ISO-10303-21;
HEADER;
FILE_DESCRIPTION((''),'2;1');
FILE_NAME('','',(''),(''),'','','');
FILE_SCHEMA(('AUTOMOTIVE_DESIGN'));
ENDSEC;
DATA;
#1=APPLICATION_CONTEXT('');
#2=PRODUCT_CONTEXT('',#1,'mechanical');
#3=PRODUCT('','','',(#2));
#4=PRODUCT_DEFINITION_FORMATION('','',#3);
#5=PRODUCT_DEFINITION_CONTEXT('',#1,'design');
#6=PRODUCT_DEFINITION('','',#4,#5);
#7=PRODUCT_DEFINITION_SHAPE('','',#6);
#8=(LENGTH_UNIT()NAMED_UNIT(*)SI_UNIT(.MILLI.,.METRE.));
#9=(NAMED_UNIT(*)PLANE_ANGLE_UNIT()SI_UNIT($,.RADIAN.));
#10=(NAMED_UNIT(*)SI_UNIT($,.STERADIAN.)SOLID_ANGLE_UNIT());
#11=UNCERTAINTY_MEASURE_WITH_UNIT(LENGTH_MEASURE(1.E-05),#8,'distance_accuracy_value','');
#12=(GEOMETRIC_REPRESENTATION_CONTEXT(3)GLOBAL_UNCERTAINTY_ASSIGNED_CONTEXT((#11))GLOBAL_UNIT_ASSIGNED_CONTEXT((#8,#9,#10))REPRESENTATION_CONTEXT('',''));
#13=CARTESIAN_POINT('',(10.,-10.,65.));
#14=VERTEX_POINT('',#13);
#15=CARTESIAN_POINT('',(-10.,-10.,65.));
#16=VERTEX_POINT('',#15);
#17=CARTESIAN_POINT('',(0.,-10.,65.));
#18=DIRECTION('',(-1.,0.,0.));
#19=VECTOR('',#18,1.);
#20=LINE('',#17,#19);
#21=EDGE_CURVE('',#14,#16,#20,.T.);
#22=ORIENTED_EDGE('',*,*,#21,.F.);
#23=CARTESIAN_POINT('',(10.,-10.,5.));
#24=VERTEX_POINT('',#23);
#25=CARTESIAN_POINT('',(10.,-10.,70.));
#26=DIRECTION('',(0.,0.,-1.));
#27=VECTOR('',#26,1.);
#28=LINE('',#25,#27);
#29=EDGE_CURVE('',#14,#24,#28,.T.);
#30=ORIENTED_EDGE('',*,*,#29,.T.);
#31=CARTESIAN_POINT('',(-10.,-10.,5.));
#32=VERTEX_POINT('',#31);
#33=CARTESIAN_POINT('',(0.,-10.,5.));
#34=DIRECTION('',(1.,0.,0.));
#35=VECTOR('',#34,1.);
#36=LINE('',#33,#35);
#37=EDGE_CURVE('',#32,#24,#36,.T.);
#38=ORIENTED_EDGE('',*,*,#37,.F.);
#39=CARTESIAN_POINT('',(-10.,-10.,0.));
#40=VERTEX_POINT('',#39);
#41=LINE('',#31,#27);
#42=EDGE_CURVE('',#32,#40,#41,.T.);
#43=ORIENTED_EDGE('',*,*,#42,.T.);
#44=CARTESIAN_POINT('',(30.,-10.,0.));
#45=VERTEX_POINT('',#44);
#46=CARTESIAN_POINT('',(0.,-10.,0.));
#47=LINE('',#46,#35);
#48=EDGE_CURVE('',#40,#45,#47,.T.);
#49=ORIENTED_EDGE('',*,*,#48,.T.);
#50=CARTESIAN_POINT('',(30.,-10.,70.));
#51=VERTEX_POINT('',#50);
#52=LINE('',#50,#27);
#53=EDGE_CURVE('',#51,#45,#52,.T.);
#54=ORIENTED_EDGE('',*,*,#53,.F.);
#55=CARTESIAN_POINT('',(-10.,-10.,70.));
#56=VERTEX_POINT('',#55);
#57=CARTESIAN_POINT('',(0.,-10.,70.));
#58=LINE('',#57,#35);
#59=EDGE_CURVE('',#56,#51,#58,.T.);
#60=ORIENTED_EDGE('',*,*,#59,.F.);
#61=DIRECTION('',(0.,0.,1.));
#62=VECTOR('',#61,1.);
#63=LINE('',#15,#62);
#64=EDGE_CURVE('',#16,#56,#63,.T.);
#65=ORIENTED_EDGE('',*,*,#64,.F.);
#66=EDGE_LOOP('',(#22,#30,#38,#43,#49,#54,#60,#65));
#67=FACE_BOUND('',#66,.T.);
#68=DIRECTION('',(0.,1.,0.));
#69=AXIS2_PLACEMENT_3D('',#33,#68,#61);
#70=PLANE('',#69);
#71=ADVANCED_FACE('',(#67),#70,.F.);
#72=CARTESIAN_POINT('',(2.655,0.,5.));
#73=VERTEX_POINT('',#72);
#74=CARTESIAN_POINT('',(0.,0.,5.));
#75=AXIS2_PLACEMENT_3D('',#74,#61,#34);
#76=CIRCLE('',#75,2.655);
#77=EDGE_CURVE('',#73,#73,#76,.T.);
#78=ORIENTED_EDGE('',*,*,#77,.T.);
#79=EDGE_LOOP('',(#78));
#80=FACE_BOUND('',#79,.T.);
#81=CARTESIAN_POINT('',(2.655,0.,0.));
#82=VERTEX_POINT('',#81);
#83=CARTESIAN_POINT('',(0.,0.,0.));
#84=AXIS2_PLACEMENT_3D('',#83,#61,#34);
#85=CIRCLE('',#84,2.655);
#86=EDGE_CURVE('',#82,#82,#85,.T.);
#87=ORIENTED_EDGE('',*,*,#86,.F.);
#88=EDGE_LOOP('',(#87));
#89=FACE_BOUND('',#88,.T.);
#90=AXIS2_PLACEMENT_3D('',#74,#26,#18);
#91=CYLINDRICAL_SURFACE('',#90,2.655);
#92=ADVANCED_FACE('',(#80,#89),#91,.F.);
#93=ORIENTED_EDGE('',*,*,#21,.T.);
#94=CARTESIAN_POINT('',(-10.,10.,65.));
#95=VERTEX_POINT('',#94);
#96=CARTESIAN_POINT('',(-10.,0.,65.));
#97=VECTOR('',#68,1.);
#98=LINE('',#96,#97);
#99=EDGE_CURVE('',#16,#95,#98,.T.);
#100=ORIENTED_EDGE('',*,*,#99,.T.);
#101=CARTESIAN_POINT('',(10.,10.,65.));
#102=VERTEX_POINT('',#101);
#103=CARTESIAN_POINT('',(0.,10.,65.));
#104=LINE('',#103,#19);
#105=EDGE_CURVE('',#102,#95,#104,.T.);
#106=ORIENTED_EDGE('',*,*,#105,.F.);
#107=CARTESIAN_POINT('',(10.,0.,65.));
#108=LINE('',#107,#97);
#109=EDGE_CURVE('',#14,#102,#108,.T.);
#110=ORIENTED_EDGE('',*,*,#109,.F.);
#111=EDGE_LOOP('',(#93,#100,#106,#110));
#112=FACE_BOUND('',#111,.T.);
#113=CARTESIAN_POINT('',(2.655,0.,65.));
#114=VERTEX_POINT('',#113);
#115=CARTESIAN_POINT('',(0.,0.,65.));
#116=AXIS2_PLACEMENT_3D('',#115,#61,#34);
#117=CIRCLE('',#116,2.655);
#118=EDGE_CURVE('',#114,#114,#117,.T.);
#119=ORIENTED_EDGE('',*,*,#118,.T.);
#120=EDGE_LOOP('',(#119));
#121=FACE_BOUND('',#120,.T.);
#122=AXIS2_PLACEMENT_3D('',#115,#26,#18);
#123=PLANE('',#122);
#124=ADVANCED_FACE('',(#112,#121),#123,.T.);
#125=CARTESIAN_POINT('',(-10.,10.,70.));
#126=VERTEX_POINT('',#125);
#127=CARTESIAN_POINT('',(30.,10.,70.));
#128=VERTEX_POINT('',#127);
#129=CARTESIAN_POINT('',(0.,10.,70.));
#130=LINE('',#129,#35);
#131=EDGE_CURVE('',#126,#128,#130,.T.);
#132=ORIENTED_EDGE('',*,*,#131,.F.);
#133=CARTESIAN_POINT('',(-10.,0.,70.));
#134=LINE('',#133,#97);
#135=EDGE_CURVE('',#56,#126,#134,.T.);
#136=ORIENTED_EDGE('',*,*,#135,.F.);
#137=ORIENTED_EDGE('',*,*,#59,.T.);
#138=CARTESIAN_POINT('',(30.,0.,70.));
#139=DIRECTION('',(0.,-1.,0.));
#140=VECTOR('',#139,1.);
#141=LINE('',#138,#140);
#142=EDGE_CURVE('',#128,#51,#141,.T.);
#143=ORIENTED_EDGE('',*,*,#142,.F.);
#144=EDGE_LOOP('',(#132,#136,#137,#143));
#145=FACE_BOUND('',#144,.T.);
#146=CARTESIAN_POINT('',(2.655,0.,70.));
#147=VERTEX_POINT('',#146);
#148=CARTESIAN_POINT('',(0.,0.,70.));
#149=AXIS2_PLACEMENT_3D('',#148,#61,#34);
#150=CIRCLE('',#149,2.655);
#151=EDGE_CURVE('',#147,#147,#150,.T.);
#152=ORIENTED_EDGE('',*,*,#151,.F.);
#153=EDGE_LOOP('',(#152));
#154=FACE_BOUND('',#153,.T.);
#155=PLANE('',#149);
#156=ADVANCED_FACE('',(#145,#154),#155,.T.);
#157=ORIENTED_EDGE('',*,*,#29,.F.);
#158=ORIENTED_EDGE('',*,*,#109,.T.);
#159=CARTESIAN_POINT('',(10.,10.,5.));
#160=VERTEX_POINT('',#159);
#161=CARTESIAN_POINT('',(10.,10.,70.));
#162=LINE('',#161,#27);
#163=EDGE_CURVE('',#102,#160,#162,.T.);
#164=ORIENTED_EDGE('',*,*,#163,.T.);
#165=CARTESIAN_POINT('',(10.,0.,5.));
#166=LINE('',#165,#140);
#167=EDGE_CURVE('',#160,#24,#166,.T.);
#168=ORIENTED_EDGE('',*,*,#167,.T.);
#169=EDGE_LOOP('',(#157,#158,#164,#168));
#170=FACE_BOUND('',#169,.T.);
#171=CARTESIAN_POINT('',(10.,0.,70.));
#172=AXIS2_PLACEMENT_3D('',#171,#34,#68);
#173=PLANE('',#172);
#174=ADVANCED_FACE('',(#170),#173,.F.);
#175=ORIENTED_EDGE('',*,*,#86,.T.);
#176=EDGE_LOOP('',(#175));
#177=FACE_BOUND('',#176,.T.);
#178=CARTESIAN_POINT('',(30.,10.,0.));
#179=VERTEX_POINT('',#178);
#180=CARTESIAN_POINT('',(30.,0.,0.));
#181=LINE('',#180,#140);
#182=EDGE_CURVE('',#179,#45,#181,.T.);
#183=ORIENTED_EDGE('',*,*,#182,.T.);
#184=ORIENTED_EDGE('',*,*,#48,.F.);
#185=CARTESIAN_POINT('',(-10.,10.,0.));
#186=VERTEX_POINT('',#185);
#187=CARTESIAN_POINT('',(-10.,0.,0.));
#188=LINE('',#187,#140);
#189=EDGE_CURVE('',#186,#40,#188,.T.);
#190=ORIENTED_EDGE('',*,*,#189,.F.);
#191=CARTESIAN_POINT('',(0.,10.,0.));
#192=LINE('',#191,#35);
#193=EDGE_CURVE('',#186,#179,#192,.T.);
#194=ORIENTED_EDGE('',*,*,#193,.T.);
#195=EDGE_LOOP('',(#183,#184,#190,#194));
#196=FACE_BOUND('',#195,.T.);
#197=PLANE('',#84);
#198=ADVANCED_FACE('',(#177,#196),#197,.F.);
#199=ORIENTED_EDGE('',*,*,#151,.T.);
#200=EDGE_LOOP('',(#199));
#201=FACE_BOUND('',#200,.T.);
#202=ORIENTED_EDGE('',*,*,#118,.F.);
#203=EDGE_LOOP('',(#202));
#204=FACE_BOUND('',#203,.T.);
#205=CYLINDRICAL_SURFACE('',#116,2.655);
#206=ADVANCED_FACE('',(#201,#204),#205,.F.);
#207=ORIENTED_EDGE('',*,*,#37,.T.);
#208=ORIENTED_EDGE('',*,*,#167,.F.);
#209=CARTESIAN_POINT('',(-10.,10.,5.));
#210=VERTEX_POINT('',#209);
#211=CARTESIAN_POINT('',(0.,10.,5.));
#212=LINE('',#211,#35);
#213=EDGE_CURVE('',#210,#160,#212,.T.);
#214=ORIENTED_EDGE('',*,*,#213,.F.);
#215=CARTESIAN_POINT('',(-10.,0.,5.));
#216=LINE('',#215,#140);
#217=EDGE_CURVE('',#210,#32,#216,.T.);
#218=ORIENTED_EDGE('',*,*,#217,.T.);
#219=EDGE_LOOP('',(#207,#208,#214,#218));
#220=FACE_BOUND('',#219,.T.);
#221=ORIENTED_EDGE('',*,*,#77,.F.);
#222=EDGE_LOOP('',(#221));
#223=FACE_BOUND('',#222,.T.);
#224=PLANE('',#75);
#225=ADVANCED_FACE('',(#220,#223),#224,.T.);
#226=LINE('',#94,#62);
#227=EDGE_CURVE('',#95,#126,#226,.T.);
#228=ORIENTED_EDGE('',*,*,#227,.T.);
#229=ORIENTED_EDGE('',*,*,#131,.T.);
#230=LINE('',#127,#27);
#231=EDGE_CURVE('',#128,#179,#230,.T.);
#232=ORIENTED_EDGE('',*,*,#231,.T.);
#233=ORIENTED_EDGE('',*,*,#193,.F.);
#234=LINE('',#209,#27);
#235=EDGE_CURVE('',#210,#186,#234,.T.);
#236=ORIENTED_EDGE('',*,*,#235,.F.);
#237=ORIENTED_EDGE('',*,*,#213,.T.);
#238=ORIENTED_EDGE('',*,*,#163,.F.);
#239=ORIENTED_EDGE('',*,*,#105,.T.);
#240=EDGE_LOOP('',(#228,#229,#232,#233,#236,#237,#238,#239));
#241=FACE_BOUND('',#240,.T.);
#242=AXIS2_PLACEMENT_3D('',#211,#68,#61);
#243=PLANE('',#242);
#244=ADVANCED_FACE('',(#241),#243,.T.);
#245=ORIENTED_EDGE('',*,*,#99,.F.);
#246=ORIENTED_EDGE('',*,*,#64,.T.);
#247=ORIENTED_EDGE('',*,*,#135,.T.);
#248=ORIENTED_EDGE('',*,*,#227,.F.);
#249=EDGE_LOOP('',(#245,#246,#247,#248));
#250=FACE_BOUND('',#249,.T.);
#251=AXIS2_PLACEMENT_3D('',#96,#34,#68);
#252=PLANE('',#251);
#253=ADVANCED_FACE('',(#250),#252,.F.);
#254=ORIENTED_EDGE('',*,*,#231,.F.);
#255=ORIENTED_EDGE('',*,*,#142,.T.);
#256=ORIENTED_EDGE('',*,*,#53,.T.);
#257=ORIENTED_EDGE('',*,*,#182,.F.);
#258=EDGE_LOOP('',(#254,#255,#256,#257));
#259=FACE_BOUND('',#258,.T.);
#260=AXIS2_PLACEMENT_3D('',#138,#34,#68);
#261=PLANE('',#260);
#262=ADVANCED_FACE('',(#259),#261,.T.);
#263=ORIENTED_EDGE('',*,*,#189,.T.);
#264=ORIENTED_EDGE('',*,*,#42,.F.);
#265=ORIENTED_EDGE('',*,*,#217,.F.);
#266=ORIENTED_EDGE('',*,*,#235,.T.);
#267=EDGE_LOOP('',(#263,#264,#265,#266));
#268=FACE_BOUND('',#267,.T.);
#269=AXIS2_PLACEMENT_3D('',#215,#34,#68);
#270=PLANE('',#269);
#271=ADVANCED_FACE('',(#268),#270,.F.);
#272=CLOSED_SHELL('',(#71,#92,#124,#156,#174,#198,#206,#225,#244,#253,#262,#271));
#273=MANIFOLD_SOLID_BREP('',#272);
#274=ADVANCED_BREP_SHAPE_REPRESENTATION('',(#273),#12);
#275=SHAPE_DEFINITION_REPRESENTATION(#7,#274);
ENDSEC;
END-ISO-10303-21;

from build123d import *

# Parameters (mm, degrees)
SKETCH2_W           = 20
SKETCH2_H           = 20
SKETCH2_R           = 2.655
BOSS_EXTRUDE1_DEPTH = 5
SKETCH2_3_W         = 20
SKETCH2_3_H         = 20
BOSS_EXTRUDE2_DEPTH = 70
BOSS_EXTRUDE3_START = 65
SKETCH2_4_W         = 20
SKETCH2_4_H         = 20
SKETCH2_4_R         = 2.655
BOSS_EXTRUDE3_DEPTH = 5


with BuildPart() as part:
    # Sketch2 → Boss-Extrude1 (new body)
    with BuildSketch(Plane.XY):
        Rectangle(SKETCH2_W, SKETCH2_H)
        Circle(SKETCH2_R, mode=Mode.SUBTRACT)
    extrude(amount=BOSS_EXTRUDE1_DEPTH)

    # Sketch2<3> → Boss-Extrude2 (add)
    with BuildSketch(Plane.XY):
        with Locations((20, 0)):
            Rectangle(SKETCH2_3_W, SKETCH2_3_H)
    extrude(amount=BOSS_EXTRUDE2_DEPTH)

    # Sketch2<4> → Boss-Extrude3 (add)
    with BuildSketch(Plane.XY.offset(BOSS_EXTRUDE3_START)):
        Rectangle(SKETCH2_4_W, SKETCH2_4_H)
        Circle(SKETCH2_4_R, mode=Mode.SUBTRACT)
    extrude(amount=BOSS_EXTRUDE3_DEPTH)


solid = part.part
